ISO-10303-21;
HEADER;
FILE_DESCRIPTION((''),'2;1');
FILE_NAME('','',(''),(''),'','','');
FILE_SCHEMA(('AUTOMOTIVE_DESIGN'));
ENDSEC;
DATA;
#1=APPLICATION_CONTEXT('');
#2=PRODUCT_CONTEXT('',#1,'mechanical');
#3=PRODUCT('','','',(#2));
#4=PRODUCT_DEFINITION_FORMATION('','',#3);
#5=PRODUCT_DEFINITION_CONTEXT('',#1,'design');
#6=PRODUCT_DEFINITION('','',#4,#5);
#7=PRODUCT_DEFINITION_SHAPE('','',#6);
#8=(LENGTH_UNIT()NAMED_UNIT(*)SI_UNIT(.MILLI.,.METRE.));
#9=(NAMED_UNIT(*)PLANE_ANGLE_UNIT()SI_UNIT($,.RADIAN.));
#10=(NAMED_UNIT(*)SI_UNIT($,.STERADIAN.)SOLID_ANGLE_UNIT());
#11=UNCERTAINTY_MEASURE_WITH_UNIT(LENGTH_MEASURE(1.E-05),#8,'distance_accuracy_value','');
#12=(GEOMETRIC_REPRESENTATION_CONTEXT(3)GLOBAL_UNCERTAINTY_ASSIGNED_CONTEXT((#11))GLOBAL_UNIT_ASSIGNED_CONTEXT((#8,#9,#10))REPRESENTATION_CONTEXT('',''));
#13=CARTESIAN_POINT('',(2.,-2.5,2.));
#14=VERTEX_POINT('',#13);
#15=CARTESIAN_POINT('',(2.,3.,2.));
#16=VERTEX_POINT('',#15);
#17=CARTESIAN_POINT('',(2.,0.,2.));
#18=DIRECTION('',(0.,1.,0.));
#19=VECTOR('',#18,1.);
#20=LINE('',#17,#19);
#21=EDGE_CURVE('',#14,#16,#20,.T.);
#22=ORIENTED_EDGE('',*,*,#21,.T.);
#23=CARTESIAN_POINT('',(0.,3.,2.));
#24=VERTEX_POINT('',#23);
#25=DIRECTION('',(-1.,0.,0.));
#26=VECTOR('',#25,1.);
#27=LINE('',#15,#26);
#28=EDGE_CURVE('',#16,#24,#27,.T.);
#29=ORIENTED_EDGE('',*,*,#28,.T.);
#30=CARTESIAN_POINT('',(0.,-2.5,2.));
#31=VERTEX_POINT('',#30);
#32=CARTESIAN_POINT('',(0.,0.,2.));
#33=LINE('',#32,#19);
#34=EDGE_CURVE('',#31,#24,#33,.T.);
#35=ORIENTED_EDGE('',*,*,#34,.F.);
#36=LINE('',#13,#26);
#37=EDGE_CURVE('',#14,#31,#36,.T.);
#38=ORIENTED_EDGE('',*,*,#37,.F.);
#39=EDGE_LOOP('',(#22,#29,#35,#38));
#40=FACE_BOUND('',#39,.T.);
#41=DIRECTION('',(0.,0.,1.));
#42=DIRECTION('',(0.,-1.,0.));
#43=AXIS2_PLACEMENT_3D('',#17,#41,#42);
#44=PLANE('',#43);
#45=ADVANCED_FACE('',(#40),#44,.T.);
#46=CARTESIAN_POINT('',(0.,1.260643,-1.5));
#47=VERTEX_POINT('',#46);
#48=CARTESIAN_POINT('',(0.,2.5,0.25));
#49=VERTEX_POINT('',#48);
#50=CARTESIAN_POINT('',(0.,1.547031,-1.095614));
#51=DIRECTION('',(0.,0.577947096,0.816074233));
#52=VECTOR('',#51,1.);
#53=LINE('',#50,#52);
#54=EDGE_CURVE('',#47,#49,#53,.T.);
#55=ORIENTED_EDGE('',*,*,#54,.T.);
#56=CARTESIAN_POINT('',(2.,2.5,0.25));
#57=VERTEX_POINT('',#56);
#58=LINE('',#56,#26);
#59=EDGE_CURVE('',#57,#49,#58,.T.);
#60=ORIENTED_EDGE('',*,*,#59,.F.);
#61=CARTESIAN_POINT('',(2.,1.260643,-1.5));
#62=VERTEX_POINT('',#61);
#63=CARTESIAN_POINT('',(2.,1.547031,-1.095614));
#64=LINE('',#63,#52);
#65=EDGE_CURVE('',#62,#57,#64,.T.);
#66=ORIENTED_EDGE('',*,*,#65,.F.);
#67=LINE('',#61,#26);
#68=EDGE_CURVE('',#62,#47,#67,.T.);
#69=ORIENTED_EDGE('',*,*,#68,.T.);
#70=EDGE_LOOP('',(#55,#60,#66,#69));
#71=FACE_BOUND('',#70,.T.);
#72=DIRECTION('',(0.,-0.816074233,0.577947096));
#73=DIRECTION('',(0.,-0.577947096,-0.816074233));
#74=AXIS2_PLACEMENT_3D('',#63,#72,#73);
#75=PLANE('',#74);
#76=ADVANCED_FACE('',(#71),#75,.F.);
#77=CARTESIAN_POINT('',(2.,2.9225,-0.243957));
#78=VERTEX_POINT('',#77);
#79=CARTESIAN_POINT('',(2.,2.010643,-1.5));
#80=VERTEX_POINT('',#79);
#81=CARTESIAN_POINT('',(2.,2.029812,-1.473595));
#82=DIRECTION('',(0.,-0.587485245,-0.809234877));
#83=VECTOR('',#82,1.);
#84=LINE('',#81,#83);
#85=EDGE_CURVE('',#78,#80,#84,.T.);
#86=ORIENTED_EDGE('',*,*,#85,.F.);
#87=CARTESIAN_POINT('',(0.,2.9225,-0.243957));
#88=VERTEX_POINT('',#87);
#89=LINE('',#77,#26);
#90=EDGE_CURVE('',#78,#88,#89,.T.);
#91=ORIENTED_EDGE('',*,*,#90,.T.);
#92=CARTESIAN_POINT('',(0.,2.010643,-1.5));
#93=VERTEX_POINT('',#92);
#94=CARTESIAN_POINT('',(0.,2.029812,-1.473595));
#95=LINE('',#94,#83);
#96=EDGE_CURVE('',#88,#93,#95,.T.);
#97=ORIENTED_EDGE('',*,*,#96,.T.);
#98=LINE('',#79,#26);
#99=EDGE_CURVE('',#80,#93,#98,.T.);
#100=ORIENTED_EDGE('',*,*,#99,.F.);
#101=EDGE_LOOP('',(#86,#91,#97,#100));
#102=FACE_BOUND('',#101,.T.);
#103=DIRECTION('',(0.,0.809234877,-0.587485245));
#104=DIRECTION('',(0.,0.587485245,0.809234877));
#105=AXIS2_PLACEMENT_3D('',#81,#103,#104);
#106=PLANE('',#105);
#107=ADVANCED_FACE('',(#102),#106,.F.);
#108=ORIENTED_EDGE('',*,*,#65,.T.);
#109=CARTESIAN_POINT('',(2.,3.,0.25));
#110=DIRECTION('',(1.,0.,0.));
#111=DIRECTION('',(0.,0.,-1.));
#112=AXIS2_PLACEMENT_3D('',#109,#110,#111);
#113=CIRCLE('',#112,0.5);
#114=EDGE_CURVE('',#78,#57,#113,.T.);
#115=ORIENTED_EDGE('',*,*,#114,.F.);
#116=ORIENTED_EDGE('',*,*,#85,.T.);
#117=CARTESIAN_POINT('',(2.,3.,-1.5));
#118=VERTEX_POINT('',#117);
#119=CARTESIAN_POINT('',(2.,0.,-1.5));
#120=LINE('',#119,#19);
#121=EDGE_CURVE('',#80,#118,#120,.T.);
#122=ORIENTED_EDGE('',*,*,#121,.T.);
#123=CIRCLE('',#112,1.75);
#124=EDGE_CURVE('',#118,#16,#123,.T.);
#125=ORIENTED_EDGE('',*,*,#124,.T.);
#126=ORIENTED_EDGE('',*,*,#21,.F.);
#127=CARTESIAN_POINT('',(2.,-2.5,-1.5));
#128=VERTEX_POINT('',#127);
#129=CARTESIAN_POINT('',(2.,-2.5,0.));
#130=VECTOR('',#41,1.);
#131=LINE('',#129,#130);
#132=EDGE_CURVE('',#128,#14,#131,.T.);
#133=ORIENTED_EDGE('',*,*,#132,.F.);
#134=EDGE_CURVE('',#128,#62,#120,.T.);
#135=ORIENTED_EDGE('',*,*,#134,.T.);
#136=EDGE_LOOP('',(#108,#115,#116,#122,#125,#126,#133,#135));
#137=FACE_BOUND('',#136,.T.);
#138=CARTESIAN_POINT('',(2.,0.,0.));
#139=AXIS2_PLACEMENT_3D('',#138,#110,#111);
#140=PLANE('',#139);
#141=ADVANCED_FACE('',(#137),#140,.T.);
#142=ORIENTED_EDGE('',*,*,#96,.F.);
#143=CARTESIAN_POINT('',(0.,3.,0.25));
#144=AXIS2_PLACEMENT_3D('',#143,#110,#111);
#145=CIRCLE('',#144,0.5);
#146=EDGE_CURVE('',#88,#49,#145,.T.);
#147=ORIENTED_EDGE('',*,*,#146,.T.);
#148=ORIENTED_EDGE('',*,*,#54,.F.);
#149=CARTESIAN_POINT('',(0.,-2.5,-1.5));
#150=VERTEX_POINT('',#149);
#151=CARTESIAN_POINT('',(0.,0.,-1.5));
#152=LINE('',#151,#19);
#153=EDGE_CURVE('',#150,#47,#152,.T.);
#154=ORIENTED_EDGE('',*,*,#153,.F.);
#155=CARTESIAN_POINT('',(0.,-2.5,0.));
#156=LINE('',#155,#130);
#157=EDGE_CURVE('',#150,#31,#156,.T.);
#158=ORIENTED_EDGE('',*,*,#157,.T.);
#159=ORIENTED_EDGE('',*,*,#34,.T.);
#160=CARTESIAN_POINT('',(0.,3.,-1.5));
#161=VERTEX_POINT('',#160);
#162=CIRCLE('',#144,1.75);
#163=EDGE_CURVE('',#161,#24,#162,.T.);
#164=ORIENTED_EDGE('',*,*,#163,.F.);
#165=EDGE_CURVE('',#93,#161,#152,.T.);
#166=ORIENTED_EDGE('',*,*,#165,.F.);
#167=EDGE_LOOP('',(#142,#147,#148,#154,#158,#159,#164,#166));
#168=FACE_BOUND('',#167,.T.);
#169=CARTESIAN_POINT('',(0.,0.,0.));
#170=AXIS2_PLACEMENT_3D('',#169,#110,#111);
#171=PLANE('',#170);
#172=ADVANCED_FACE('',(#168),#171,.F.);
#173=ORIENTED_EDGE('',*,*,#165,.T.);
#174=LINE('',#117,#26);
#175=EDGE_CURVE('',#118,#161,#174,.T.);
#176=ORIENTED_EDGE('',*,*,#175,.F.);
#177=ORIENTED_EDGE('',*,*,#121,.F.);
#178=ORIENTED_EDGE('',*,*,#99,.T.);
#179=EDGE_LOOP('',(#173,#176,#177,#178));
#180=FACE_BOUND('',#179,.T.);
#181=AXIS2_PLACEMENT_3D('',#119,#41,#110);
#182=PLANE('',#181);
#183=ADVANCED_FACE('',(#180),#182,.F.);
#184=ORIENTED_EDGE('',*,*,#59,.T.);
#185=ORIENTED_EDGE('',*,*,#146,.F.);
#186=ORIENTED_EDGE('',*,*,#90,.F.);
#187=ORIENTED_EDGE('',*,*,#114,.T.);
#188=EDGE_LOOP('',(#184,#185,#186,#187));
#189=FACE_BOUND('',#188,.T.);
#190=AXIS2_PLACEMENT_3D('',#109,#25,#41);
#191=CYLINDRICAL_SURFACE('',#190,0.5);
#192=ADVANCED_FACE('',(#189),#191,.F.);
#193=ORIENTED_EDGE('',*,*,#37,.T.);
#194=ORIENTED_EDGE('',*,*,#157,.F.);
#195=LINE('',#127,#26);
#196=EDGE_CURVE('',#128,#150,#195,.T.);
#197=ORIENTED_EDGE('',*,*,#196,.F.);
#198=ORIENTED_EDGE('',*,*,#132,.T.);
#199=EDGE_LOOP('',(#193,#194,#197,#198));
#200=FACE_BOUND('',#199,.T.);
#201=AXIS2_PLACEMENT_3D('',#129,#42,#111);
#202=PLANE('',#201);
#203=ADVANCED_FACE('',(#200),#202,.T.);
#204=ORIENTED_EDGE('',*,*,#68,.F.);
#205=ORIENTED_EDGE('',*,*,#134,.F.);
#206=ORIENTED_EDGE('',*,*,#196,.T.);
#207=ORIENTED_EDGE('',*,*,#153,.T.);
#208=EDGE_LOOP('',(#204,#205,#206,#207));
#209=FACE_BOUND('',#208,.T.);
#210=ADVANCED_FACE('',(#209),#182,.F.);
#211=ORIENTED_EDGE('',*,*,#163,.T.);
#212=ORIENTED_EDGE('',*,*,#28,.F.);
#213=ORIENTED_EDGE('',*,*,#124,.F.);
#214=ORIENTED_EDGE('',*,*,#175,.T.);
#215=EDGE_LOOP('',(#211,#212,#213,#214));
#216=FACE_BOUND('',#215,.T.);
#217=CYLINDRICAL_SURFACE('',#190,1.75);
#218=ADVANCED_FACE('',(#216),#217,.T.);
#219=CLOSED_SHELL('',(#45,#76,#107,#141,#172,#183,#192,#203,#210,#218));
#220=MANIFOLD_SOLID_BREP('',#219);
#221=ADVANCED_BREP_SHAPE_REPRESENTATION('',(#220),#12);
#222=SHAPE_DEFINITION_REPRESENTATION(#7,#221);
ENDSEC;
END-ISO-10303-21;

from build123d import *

# Parameters (mm, degrees)
BOSS_EXTRUDE1_DEPTH = 2


with BuildPart() as part:
    # Sketch1 → Boss-Extrude1 (new body)
    with BuildSketch(Plane(origin=(0, 0, 0), x_dir=(0, 0, -1), z_dir=(1, 0, 0))):
        with BuildLine():
            Line((-2, -2.5), (1.5, -2.5))
            Line((1.5, -2.5), (1.5, 0.193510405))
            Line((1.5, 0.193510405), (1.5, 0.544384676))
            Line((1.5, 0.544384676), (1.5, 1.260642871))
            Line((1.5, 1.260642871), (-0.25, 2.5))
            ThreePointArc((-0.25, 2.5), (-0.575, 3.379967104), (0.243957235, 2.9225))
            Line((0.243957235, 2.9225), (1.5, 2.010642871))
            Line((1.5, 2.010642871), (1.5, 3))
            ThreePointArc((1.5, 3), (-0.25, 4.75), (-2, 3))
            Line((-2, 3), (-2, -2.5))
        make_face()
    extrude(amount=BOSS_EXTRUDE1_DEPTH)


solid = part.part
